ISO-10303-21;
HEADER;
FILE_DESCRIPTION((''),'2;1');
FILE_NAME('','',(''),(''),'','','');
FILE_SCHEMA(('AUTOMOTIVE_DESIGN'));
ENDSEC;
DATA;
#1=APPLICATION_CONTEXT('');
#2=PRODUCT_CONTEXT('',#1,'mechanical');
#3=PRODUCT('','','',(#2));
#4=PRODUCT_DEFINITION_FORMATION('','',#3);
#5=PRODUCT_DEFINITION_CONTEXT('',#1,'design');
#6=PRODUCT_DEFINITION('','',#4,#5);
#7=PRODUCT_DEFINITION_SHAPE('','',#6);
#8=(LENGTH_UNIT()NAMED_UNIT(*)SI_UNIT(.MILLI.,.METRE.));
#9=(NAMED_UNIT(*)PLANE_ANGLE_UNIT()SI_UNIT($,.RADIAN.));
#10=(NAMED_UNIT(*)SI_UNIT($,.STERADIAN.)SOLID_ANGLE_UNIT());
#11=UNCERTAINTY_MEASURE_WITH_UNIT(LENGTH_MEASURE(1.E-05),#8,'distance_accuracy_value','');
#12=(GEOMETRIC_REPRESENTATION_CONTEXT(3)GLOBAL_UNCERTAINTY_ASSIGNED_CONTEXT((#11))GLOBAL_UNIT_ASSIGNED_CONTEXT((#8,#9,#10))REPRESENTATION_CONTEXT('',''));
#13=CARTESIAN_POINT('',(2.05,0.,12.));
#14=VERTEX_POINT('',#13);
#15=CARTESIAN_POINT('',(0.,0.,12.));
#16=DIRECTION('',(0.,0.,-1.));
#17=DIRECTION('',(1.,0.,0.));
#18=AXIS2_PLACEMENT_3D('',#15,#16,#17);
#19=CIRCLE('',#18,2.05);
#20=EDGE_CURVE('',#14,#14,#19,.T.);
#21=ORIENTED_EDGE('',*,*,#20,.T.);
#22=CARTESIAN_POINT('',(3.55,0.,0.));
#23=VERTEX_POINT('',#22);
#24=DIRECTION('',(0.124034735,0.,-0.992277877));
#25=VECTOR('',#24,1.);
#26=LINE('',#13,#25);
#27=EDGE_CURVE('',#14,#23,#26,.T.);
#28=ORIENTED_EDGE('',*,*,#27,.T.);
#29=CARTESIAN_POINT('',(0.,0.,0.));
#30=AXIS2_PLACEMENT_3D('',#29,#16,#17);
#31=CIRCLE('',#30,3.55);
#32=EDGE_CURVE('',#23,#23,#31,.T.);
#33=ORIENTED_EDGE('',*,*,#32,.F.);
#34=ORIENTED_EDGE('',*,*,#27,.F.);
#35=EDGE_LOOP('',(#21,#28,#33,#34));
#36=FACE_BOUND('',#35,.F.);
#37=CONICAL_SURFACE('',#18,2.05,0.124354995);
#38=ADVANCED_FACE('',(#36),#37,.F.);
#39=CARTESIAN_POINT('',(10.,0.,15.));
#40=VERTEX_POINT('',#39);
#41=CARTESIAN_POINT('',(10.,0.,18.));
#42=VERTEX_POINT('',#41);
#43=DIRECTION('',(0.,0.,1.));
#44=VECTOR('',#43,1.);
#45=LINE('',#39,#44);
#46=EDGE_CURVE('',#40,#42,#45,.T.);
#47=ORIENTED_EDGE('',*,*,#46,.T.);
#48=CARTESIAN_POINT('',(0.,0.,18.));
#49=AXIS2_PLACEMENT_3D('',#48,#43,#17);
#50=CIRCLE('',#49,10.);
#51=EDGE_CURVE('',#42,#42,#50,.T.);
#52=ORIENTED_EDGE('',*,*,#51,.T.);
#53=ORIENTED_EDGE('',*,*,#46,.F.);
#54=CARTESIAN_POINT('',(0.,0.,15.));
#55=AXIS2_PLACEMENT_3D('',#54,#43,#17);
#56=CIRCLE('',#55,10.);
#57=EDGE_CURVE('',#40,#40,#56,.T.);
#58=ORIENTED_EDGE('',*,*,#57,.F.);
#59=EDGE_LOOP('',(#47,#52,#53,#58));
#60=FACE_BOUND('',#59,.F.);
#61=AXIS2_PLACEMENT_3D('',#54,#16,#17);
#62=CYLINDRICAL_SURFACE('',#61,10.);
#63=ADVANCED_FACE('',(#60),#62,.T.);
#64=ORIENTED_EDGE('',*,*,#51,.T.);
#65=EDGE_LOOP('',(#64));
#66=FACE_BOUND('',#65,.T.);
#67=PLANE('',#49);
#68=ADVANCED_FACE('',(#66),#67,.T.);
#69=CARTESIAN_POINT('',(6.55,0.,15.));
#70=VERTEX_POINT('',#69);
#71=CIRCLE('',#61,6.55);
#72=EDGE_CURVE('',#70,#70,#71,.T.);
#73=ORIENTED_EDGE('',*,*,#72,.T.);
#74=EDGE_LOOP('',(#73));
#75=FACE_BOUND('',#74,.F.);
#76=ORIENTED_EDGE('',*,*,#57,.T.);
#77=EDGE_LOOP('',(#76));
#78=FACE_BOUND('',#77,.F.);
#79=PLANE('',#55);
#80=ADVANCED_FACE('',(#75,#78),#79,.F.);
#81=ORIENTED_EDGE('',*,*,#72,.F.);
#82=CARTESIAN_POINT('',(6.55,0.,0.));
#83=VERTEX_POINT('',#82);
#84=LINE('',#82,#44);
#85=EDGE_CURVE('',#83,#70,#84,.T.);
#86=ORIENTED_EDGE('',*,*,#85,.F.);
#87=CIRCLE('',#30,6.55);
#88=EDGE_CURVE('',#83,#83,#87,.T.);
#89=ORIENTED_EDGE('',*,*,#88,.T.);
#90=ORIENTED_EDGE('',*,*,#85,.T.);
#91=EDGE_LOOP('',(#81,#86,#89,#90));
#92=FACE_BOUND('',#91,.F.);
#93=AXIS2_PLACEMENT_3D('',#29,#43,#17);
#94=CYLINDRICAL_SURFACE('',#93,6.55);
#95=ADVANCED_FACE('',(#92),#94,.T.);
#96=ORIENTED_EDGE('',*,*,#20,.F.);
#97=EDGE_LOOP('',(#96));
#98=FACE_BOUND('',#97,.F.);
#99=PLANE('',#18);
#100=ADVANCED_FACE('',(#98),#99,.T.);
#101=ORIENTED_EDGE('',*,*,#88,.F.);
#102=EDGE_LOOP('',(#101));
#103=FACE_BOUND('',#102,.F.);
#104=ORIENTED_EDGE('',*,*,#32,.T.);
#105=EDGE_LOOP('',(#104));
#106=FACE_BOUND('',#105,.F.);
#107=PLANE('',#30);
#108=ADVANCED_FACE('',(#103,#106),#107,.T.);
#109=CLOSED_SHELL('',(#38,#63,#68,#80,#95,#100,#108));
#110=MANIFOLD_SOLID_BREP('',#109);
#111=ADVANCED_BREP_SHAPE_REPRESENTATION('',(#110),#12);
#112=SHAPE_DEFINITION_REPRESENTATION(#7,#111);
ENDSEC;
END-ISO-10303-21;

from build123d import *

# Parameters (mm, degrees)
F2_R     = 10
F3_DEPTH = 3


with BuildPart() as f1:
    # F0 (on Front) → F1 (revolve)
    with BuildSketch(Plane.XZ):
        Polygon((2.05, 12), (3.55, 0), (6.55, 0), (6.55, 15), (0, 15), (0, 12), align=None)
    revolve(axis=Axis((0, 0, 3.882699), (0, 0, -1)))

    # F2 (on face) → F3 (join)
    with BuildSketch(Plane.XY.offset(15)):
        Circle(F2_R)
    extrude(amount=F3_DEPTH)


solid = f1.part
